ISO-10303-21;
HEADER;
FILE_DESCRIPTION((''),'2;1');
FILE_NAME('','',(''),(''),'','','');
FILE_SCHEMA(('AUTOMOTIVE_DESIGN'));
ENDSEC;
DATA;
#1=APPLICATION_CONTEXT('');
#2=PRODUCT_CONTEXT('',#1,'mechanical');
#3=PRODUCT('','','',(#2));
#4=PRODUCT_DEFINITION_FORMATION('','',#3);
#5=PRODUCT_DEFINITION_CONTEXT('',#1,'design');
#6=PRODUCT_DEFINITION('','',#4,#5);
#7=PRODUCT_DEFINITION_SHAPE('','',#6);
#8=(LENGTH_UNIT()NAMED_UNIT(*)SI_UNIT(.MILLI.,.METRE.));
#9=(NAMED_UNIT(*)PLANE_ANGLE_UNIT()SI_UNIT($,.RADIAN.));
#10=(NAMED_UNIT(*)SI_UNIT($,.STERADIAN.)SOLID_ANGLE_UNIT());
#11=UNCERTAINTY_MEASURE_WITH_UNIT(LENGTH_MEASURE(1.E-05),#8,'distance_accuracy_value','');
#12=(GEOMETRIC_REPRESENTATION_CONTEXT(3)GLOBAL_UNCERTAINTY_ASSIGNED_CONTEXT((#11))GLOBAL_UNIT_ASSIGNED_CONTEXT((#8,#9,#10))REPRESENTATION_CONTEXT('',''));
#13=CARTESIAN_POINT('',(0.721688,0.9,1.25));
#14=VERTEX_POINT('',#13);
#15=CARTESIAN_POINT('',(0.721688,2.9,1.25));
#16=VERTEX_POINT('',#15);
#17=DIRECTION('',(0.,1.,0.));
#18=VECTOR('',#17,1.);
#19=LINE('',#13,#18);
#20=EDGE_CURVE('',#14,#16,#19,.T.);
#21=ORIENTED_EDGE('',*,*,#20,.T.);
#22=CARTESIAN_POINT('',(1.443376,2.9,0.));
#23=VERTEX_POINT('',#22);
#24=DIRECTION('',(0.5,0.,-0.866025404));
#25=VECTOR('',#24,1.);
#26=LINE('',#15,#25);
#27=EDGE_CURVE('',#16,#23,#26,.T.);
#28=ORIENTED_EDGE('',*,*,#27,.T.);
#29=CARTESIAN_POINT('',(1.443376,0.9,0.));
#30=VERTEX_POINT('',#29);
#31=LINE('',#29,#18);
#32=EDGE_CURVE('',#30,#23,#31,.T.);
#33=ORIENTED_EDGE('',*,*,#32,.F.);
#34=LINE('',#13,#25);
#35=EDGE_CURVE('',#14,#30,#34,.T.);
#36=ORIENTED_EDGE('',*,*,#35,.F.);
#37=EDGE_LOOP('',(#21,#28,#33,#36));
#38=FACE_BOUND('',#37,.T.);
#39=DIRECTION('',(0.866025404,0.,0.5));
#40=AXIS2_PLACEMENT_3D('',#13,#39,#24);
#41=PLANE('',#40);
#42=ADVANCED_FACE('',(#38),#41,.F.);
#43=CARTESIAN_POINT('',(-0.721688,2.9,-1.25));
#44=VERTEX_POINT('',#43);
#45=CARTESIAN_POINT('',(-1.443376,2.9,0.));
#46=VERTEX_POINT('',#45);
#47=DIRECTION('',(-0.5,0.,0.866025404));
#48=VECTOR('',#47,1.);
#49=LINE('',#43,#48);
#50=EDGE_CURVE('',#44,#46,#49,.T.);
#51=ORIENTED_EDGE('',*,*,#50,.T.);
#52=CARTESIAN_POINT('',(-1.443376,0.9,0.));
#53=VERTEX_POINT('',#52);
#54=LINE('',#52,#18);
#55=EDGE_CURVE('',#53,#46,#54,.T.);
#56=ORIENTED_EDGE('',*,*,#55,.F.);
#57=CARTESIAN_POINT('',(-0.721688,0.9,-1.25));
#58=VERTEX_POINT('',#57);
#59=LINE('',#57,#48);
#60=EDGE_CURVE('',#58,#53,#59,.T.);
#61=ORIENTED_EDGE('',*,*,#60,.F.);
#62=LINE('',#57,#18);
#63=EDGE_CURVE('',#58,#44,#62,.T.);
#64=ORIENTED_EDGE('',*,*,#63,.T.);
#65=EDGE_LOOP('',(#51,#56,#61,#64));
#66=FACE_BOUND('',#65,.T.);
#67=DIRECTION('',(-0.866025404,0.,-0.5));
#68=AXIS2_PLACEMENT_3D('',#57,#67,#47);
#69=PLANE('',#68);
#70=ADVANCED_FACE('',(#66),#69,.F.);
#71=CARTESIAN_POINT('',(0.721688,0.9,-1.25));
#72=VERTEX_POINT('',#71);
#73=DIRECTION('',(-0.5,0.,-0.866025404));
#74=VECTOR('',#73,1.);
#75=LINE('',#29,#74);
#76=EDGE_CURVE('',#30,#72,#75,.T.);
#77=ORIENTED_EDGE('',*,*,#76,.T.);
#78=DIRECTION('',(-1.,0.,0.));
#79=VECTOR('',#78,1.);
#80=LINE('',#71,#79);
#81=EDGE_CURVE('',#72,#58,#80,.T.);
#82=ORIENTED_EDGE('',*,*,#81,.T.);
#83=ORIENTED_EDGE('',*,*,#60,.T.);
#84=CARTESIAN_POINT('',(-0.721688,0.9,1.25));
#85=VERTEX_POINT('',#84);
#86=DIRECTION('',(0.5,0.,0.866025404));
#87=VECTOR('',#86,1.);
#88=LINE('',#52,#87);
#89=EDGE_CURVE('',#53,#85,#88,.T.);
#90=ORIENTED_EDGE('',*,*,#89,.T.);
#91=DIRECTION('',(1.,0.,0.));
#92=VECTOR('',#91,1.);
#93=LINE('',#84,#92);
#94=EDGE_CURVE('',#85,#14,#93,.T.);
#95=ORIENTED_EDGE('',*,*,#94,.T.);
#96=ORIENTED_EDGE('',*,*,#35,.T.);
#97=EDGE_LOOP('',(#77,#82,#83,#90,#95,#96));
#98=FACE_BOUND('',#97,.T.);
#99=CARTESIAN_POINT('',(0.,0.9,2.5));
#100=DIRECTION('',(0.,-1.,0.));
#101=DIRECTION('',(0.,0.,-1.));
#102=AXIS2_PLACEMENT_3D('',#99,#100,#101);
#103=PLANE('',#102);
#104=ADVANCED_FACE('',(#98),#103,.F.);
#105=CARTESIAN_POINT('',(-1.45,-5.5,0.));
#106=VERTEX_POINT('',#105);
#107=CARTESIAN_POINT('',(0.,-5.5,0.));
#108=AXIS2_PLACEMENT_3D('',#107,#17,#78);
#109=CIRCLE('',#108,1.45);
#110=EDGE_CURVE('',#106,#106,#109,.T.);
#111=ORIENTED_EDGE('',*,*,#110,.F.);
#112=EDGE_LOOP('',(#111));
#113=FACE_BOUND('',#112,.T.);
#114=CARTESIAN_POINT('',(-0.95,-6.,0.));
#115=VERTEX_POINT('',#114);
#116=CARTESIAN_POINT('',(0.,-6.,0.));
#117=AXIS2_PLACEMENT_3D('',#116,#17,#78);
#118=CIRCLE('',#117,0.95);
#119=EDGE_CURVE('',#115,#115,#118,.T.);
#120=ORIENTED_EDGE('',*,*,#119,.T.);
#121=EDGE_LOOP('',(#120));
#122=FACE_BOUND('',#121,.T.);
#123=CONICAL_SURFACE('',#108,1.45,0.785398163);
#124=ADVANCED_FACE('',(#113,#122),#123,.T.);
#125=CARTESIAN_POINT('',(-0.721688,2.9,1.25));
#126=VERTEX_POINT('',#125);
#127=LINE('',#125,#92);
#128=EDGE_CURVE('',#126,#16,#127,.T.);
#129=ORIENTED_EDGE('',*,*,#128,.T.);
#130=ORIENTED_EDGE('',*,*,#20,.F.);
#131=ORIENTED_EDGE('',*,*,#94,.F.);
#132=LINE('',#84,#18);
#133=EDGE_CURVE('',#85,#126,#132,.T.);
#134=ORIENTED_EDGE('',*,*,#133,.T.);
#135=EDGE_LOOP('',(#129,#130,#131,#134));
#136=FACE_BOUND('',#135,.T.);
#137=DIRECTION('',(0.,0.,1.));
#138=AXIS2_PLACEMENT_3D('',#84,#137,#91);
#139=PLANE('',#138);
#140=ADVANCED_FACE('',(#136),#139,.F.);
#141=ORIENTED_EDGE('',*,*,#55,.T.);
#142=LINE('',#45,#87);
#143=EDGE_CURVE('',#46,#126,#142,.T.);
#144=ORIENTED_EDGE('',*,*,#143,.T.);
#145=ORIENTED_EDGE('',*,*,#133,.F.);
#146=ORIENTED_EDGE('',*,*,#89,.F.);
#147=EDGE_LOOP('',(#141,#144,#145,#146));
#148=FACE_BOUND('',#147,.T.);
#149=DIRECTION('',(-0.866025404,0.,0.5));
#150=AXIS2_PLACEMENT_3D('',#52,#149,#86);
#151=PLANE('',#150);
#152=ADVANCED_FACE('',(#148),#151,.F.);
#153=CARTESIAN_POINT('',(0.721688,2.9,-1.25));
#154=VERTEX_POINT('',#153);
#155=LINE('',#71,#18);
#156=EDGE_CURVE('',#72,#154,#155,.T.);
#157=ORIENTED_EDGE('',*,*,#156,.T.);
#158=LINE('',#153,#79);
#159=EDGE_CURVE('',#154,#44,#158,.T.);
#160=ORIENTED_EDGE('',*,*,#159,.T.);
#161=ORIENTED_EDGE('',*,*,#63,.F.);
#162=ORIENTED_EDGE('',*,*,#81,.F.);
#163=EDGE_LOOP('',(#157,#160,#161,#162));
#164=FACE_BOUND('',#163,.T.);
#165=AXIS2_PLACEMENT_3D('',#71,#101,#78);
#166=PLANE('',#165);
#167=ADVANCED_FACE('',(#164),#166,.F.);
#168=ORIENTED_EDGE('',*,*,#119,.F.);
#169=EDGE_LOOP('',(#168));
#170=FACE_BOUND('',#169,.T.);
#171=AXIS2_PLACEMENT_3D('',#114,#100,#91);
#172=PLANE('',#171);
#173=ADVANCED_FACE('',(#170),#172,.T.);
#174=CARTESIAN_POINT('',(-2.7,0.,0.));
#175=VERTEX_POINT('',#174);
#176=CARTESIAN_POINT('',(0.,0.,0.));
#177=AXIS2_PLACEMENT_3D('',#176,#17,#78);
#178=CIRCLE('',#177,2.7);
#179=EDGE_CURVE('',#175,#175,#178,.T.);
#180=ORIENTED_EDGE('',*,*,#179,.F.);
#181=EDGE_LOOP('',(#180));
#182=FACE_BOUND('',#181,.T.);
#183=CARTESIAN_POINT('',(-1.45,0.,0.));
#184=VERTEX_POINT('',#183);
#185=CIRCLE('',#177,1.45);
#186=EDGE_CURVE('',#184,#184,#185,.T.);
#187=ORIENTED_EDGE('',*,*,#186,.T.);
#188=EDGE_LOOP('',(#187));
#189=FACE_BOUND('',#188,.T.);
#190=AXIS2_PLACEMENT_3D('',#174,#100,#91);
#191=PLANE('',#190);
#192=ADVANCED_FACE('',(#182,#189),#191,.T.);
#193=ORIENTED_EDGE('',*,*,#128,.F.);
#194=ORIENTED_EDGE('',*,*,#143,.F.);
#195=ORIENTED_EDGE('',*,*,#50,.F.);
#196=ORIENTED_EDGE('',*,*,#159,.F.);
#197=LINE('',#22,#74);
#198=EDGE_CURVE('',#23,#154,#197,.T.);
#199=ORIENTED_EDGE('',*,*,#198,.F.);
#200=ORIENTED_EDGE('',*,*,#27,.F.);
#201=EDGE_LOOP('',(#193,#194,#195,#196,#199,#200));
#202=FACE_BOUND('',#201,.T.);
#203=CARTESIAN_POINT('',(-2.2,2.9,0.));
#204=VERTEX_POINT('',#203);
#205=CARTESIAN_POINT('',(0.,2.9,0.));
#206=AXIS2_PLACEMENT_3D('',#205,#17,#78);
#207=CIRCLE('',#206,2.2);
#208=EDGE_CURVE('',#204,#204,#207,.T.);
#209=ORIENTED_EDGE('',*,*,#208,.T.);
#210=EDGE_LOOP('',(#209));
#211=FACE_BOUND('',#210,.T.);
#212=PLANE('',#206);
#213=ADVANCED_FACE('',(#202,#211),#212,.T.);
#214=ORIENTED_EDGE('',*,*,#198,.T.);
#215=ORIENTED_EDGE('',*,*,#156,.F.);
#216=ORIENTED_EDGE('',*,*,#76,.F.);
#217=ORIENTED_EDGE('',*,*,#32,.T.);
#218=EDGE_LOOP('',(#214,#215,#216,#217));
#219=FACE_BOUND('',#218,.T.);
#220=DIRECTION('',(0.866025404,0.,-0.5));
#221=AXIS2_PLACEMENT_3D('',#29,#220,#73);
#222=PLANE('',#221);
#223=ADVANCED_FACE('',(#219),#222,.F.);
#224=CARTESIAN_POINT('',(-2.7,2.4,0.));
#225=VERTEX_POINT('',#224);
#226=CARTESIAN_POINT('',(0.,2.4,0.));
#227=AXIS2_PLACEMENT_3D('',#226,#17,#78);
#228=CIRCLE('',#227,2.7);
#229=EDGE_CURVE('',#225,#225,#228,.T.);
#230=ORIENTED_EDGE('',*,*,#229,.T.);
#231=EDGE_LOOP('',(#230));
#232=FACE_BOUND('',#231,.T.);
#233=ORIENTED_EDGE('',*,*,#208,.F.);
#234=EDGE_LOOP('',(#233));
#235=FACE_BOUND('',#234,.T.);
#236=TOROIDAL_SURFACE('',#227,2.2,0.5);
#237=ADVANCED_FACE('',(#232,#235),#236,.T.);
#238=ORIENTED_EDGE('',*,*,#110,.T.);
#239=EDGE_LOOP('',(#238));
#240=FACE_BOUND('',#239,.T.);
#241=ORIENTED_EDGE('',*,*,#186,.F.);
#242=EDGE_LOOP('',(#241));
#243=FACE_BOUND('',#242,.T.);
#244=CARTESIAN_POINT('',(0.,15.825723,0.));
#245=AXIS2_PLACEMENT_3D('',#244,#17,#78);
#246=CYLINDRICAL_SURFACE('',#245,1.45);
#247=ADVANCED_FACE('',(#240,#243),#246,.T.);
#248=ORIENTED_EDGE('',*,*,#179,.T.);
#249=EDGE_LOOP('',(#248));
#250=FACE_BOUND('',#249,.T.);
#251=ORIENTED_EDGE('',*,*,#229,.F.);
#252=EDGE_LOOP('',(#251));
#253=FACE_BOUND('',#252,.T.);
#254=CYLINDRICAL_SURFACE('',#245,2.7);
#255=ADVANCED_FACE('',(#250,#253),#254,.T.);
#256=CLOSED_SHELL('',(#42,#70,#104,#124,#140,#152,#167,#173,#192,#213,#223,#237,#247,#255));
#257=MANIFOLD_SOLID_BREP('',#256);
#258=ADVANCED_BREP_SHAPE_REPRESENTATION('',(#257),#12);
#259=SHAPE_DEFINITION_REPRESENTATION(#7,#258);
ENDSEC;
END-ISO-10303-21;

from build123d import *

# Parameters (mm, degrees)
ENL_V_MAT_EXTRU_1_DEPTH = 2


with BuildPart() as part:
    # Esquisse1 → Révolution1 (revolve)
    with BuildSketch(Plane.XY):
        with BuildLine():
            Line((0, 2.9), (-2.2, 2.9))
            ThreePointArc((-2.2, 2.9), (-2.553553391, 2.753553391), (-2.7, 2.4))
            Line((-2.7, 2.4), (-2.7, 0))
            Line((-2.7, 0), (-1.45, 0))
            Line((-1.45, 0), (-1.45, -5.5))
            Line((-1.45, -5.5), (-0.95, -6))
            Line((-0.95, -6), (0, -6))
            Line((0, -6), (0, 2.9))
        make_face()
    revolve(axis=Axis((0, 15.825722622, 0), (0, -1, 0)))

    # Esquisse2 → Enlèv. mat.-Extru.1 (cut)
    with BuildSketch(Plane(origin=(0, 2.9, 0), x_dir=(-1, 0, 0), z_dir=(0, 1, 0))):
        Polygon((-1.443375673, 0), (-0.721687836, -1.25), (0.721687836, -1.25), (1.443375673, 0), (0.721687836, 1.25), (-0.721687836, 1.25), align=None)
    extrude(amount=-ENL_V_MAT_EXTRU_1_DEPTH, mode=Mode.SUBTRACT)


solid = part.part
